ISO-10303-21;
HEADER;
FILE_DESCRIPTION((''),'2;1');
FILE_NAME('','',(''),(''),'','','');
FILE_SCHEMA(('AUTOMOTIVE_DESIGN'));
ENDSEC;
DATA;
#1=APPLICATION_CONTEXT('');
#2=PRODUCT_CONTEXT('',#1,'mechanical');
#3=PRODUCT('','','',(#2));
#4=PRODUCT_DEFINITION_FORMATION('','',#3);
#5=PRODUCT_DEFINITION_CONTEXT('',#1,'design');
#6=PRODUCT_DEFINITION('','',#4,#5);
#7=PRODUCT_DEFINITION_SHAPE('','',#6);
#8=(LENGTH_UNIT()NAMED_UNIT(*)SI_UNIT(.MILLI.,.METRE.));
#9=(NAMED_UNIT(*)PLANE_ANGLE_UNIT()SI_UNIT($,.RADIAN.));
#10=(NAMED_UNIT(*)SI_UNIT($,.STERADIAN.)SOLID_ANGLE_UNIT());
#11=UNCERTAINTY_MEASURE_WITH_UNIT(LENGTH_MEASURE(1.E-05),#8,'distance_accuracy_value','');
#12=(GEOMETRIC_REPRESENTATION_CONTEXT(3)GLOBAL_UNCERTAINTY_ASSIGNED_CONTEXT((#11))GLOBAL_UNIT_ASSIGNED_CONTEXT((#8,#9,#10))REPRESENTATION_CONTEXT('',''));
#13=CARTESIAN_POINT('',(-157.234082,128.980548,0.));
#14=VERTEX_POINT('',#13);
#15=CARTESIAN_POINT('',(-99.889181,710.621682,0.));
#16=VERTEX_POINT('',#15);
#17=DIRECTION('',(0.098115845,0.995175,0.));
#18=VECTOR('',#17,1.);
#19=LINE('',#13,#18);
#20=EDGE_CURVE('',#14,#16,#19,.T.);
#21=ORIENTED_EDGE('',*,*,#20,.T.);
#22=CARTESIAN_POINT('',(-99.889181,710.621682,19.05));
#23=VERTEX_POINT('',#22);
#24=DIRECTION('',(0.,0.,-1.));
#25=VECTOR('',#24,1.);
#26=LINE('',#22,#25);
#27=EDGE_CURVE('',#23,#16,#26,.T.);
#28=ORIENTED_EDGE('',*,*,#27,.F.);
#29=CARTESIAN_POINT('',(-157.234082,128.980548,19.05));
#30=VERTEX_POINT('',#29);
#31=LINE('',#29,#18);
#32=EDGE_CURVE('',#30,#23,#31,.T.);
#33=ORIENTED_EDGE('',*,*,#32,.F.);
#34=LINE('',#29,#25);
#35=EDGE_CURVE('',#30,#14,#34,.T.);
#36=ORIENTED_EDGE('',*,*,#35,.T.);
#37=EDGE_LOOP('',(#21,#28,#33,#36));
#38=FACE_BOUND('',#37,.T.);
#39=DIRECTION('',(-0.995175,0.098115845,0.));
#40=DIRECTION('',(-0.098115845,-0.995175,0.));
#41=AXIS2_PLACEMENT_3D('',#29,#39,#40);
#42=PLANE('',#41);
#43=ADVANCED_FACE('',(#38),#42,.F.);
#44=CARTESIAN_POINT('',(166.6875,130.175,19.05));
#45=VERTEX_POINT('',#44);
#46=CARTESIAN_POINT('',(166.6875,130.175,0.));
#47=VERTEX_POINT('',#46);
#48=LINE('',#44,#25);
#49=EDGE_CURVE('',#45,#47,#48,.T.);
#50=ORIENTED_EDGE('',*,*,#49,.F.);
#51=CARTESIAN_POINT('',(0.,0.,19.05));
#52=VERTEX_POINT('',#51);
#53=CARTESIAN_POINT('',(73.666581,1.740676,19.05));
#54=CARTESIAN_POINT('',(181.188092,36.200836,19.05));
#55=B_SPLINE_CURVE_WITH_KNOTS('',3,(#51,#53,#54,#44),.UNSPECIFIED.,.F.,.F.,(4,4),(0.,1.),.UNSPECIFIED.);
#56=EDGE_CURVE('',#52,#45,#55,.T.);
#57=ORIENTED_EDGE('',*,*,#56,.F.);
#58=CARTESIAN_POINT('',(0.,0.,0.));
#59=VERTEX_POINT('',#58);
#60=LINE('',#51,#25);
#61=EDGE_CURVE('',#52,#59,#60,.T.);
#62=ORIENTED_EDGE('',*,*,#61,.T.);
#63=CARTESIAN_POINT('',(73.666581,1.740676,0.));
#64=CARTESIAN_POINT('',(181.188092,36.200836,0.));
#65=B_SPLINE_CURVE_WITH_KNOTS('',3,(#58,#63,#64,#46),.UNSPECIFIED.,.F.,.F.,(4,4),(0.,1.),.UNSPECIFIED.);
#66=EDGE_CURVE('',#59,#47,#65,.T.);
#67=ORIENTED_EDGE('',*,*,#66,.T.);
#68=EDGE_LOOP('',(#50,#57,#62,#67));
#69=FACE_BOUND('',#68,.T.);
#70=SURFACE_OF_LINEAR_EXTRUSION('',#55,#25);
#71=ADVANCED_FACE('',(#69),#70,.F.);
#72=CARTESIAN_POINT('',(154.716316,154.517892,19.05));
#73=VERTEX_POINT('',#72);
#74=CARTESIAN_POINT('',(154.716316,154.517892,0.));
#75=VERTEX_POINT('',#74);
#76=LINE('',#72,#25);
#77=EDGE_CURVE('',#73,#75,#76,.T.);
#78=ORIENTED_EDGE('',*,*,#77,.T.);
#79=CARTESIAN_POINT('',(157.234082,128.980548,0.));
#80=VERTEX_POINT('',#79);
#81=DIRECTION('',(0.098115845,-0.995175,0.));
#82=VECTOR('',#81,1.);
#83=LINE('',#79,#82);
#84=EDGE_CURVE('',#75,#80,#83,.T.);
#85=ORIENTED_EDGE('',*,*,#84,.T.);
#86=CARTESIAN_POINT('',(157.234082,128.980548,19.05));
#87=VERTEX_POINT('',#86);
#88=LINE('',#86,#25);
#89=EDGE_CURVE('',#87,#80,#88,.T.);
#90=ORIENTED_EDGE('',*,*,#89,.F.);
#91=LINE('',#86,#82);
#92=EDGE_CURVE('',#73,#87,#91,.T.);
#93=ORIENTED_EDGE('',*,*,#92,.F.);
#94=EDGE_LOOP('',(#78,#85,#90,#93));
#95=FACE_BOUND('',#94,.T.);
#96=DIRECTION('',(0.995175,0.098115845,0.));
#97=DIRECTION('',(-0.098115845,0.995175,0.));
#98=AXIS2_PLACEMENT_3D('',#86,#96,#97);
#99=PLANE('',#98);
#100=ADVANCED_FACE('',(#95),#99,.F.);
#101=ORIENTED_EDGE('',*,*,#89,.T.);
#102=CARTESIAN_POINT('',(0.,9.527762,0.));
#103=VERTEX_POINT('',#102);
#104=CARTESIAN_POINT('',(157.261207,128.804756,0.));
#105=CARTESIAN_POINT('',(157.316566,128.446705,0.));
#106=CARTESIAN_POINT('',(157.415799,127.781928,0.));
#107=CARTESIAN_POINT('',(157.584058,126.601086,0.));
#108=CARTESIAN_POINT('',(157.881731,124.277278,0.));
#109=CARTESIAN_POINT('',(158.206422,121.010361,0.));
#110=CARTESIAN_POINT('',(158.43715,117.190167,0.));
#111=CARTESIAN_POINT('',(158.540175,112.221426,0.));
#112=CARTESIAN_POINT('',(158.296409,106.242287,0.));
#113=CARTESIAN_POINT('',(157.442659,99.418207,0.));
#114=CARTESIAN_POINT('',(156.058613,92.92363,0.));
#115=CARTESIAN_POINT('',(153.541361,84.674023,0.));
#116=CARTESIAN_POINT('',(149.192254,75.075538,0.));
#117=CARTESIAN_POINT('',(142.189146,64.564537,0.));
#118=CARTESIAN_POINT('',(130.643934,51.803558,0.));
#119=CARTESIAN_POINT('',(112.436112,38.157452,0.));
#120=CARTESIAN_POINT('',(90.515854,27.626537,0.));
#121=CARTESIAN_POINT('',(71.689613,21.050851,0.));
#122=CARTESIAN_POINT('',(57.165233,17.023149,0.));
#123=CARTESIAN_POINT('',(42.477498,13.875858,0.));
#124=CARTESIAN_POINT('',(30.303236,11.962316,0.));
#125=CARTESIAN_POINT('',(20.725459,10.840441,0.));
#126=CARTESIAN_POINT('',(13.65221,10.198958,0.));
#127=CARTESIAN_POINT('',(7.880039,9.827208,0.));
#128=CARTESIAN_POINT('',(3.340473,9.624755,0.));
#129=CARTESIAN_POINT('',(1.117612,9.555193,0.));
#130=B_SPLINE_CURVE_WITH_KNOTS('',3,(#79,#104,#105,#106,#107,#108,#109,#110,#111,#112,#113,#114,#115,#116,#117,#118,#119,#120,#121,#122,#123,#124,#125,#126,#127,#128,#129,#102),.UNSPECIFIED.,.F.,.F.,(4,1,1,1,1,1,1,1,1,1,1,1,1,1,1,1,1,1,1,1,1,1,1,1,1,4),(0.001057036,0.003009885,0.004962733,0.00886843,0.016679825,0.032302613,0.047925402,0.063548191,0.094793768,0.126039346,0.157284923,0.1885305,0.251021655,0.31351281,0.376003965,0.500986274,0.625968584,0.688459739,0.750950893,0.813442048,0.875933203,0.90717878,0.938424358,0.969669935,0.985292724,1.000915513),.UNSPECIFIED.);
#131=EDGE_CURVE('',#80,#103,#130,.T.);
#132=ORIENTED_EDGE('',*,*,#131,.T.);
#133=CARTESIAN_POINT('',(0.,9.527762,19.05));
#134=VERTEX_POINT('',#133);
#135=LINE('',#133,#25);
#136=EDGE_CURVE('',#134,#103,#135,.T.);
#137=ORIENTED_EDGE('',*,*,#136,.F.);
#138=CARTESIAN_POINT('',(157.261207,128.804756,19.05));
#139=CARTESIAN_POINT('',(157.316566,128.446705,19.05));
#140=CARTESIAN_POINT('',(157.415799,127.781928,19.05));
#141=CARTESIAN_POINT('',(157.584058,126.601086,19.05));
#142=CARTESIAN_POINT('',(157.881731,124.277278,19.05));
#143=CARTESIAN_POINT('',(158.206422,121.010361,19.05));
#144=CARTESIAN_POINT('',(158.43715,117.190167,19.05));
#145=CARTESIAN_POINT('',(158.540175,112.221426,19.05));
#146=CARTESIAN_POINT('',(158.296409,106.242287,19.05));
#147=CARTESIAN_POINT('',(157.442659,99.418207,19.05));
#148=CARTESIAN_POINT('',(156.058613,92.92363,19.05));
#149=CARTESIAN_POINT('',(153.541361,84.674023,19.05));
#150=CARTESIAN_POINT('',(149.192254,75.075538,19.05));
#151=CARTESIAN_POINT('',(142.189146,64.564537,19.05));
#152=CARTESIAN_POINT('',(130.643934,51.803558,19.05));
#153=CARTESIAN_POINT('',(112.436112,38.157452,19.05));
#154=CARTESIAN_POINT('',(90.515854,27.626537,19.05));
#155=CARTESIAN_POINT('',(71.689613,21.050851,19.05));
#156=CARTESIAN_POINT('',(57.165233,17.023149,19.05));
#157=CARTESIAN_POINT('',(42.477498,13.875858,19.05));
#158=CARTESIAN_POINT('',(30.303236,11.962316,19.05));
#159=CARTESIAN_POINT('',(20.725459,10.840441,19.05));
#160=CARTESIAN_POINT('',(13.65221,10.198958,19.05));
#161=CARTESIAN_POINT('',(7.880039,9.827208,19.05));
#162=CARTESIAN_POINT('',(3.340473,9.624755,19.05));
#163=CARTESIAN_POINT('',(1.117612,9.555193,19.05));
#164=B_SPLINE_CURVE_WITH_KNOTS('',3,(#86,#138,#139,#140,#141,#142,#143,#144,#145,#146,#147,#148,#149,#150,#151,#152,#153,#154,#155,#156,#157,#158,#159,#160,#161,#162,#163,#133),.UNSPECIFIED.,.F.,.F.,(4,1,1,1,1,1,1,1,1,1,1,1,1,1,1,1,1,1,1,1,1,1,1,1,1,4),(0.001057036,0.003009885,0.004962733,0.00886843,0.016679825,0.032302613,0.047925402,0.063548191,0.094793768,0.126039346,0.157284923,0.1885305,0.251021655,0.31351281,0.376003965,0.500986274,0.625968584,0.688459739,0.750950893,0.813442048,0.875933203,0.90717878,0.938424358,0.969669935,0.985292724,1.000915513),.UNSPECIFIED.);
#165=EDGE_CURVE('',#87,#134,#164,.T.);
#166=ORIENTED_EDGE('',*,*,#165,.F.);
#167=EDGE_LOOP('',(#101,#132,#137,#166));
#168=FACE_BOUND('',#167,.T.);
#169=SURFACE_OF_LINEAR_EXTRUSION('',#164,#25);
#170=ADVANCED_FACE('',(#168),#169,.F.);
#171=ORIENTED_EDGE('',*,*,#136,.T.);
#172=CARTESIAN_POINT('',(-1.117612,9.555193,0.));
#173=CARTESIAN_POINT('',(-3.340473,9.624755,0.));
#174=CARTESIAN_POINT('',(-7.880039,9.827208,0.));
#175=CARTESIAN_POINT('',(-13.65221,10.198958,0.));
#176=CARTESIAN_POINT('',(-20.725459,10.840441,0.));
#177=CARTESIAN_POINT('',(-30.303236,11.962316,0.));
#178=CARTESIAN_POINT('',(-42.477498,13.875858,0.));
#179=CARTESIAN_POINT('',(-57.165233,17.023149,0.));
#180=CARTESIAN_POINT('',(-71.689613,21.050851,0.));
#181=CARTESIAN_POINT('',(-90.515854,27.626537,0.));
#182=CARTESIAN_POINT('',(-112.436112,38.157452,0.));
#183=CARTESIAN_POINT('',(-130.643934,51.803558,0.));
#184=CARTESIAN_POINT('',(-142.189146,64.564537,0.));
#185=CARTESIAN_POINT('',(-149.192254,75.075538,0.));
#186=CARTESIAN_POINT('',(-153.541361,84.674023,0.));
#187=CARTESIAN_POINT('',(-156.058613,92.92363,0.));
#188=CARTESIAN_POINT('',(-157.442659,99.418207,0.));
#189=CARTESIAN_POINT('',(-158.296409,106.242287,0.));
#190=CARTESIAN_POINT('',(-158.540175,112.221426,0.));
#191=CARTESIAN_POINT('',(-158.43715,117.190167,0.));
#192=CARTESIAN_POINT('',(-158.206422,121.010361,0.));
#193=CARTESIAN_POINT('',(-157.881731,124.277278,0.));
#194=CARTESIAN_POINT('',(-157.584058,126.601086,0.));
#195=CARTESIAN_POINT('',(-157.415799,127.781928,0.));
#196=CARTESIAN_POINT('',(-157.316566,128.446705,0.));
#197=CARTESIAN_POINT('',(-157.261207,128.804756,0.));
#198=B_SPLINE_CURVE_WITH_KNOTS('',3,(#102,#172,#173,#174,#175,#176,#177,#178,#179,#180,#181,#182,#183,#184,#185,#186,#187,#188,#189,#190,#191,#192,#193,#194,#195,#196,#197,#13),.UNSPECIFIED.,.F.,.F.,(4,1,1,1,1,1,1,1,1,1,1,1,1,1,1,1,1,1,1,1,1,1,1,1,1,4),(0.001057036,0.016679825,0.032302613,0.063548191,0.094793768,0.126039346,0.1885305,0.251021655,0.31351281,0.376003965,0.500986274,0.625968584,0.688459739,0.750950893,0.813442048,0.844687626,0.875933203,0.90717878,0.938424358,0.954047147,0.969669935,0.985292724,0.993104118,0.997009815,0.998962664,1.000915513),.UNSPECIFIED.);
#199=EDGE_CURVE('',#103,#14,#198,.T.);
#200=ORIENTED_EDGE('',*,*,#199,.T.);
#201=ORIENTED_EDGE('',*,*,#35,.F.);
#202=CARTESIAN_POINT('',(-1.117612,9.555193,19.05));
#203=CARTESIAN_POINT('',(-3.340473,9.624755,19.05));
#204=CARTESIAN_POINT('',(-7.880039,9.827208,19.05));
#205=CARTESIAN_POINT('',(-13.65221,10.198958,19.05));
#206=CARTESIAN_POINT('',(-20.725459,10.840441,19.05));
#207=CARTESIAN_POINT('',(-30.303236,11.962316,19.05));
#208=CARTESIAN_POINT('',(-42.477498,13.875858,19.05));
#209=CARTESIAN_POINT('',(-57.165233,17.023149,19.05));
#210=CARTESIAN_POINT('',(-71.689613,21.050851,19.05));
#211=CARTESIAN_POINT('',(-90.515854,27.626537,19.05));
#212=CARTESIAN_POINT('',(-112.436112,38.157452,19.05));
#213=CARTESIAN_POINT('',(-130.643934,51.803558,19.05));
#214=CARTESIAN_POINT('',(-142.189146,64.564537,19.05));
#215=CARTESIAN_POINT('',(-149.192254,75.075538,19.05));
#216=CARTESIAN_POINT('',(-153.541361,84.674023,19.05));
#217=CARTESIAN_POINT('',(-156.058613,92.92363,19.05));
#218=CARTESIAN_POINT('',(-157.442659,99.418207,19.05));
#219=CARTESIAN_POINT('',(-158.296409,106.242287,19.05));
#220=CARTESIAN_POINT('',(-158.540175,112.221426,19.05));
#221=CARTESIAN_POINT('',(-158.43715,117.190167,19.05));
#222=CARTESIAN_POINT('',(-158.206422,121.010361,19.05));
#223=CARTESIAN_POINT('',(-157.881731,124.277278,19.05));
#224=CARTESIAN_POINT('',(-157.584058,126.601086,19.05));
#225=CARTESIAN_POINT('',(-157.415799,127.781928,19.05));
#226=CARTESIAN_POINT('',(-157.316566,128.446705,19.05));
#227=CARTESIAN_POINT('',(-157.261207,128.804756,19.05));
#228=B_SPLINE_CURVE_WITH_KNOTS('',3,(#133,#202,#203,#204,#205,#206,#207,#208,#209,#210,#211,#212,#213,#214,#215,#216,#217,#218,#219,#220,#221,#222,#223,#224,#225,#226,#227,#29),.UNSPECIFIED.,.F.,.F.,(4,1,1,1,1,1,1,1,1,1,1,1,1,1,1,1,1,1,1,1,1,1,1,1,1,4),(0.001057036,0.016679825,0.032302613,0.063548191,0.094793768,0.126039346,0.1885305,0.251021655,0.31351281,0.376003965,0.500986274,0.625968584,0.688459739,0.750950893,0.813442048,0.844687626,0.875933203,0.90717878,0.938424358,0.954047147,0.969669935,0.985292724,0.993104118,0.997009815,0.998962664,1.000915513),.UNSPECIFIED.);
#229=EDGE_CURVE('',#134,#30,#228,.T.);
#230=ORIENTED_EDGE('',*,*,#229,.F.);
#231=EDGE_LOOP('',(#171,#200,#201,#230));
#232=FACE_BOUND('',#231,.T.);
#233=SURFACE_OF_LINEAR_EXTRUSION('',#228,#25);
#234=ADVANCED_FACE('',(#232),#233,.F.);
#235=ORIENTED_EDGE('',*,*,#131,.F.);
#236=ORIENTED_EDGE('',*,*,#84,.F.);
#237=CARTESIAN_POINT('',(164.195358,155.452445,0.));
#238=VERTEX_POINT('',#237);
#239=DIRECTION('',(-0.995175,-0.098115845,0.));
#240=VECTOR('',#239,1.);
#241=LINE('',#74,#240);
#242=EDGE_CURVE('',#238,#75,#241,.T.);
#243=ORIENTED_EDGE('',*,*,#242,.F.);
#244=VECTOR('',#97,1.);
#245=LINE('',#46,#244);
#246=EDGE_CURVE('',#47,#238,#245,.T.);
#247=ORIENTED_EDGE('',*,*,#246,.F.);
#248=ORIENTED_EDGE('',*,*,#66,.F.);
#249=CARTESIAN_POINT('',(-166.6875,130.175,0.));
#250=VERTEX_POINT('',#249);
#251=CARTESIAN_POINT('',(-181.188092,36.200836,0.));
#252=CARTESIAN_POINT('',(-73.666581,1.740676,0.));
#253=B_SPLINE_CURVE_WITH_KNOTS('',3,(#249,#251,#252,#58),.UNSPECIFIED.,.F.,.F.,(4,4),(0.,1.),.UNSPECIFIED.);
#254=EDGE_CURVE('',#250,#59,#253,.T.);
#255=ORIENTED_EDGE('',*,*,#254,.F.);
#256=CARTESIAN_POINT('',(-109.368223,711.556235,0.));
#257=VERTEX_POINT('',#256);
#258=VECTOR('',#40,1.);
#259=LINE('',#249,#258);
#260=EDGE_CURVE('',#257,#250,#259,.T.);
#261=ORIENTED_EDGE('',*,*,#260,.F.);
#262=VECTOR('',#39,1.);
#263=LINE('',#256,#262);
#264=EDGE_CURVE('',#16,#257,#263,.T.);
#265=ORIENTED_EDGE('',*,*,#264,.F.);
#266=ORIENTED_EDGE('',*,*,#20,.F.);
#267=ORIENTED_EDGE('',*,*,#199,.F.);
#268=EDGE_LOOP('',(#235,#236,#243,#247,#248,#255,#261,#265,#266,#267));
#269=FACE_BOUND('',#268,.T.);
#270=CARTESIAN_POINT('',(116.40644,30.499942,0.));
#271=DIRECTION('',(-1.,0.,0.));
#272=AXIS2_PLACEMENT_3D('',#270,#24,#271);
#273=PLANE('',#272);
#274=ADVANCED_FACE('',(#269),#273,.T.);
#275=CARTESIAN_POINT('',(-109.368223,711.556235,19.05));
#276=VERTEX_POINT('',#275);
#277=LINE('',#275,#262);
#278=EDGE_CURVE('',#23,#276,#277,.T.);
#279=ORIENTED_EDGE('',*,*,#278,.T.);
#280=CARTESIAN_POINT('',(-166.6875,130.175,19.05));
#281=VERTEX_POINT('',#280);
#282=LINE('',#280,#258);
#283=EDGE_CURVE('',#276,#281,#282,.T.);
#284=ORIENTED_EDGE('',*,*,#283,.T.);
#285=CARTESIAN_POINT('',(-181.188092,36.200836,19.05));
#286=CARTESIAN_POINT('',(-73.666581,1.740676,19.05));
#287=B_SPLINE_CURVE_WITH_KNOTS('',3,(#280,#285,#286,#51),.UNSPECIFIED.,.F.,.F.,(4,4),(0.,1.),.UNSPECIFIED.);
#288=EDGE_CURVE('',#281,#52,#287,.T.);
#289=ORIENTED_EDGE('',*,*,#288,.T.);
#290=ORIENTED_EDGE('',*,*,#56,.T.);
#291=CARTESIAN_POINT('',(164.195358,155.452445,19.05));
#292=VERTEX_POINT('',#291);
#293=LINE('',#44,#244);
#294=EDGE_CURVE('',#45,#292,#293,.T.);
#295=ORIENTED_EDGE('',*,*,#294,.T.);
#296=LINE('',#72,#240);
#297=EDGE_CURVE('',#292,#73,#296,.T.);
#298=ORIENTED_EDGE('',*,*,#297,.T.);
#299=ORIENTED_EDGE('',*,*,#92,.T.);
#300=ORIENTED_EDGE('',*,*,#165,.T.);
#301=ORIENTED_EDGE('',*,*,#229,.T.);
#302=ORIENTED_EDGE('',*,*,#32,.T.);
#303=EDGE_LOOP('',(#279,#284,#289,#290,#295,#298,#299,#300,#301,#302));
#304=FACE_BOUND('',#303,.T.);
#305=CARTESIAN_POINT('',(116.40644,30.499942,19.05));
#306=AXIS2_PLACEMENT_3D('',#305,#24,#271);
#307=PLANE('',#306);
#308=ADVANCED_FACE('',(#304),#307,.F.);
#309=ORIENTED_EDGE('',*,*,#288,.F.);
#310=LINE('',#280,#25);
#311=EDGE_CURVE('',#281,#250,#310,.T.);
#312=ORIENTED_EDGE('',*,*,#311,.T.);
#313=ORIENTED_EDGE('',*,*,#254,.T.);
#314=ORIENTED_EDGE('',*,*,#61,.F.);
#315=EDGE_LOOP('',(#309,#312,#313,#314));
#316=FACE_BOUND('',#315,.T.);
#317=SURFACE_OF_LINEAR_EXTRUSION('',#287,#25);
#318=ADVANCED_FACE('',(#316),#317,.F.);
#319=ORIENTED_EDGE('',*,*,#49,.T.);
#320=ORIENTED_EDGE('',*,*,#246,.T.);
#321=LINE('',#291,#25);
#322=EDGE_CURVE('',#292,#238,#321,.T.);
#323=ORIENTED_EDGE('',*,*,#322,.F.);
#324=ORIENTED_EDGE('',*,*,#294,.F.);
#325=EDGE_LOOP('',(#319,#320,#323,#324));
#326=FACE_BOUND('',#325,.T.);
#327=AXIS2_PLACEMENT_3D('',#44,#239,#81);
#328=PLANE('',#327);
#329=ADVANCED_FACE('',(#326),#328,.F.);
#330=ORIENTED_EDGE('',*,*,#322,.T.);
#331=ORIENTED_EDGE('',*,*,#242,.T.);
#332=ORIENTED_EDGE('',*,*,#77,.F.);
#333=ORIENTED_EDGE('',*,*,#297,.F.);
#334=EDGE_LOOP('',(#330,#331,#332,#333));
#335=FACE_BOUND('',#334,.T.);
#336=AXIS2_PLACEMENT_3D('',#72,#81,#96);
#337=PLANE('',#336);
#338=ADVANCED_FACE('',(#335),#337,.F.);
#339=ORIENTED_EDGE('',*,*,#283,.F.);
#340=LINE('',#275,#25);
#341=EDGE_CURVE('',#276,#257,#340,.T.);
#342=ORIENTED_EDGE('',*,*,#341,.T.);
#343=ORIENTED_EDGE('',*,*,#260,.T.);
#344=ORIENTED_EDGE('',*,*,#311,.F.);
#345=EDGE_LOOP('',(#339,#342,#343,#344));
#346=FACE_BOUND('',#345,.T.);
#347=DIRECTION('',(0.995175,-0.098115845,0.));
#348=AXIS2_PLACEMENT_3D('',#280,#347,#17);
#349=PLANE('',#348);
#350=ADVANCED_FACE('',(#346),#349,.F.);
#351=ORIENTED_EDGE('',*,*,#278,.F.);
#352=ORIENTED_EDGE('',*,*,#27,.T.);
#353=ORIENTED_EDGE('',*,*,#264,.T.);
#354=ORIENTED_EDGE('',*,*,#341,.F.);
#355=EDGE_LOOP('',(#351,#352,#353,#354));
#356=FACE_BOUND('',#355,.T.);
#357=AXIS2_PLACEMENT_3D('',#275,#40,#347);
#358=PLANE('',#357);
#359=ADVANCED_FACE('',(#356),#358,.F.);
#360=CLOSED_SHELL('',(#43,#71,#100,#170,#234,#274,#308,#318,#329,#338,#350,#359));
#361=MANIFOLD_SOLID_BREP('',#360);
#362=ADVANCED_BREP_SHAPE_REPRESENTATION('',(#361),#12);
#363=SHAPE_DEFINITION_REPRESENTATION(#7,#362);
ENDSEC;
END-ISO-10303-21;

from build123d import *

# Parameters (mm, degrees)
BOSS_EXTRUDE1_DEPTH = 19.05


with BuildPart() as part:
    # Sketch1 → Boss-Extrude1 (new body)
    with BuildSketch(Plane.XY):
        with BuildLine():
            Line((157.234081882, 128.980548454), (154.716315658, 154.51789158))
            Line((154.716315658, 154.51789158), (164.195357535, 155.452445004))
            Line((164.195357535, 155.452445004), (166.6875, 130.175))
            add(Edge.make_bspline(
                [(0, 0), (73.666580622, 1.740675992), (181.188092361, 36.200835609), (166.6875, 130.175)],
                knots=[0, 0, 0, 0, 1, 1, 1, 1], degree=3))
            add(Edge.make_bspline(
                [(0, 0), (-73.666580622, 1.740675992), (-181.188092361, 36.200835609), (-166.6875, 130.175)],
                knots=[0, 0, 0, 0, 1, 1, 1, 1], degree=3))
            Line((-166.6875, 130.175), (-109.368223301, 711.556235093))
            Line((-109.368223301, 711.556235093), (-99.889181424, 710.621681669))
            Line((-99.889181424, 710.621681669), (-157.234081882, 128.980548454))
            add(Edge.make_bspline(
                [(0, 9.52776174), (-1.117611602, 9.555193192), (-3.340472897, 9.624755056), (-7.880039481, 9.827207732), (-13.652210416, 10.198958437), (-20.725459036, 10.840441372), (-30.303235723, 11.962316267), (-42.47749757, 13.875858033), (-57.165232888, 17.02314898), (-71.689613059, 21.050850851), (-90.515854195, 27.626537064), (-112.436111514, 38.157452487), (-130.643933928, 51.803557723), (-142.189146149, 64.564536934), (-149.192253507, 75.075537554), (-153.541361304, 84.674022673), (-156.058613173, 92.923629982), (-157.442658539, 99.418206789), (-158.29640922, 106.242287005), (-158.540175044, 112.221426054), (-158.437150466, 117.190167219), (-158.20642164, 121.010360535), (-157.881730698, 124.277278241), (-157.584058118, 126.601085874), (-157.415798733, 127.781927866), (-157.316566229, 128.446705395), (-157.261207353, 128.804756083), (-157.234081882, 128.980548454)],
                knots=[0.001057036, 0.001057036, 0.001057036, 0.001057036, 0.016679825, 0.032302613, 0.063548191, 0.094793768, 0.126039346, 0.1885305, 0.251021655, 0.31351281, 0.376003965, 0.500986274, 0.625968584, 0.688459739, 0.750950893, 0.813442048, 0.844687626, 0.875933203, 0.90717878, 0.938424358, 0.954047147, 0.969669935, 0.985292724, 0.993104118, 0.997009815, 0.998962664, 1.000915513, 1.000915513, 1.000915513, 1.000915513], degree=3))
            add(Edge.make_bspline(
                [(157.234081882, 128.980548454), (157.261207353, 128.804756083), (157.316566229, 128.446705395), (157.415798733, 127.781927866), (157.584058118, 126.601085874), (157.881730698, 124.277278241), (158.20642164, 121.010360535), (158.437150466, 117.190167219), (158.540175044, 112.221426054), (158.29640922, 106.242287005), (157.442658539, 99.418206789), (156.058613173, 92.923629982), (153.541361304, 84.674022673), (149.192253507, 75.075537554), (142.189146149, 64.564536934), (130.643933928, 51.803557723), (112.436111514, 38.157452487), (90.515854195, 27.626537064), (71.689613059, 21.050850851), (57.165232888, 17.02314898), (42.47749757, 13.875858033), (30.303235723, 11.962316267), (20.725459036, 10.840441372), (13.652210416, 10.198958437), (7.880039481, 9.827207732), (3.340472897, 9.624755056), (1.117611602, 9.555193192), (0, 9.52776174)],
                knots=[0.001057036, 0.001057036, 0.001057036, 0.001057036, 0.003009885, 0.004962733, 0.00886843, 0.016679825, 0.032302613, 0.047925402, 0.063548191, 0.094793768, 0.126039346, 0.157284923, 0.1885305, 0.251021655, 0.31351281, 0.376003965, 0.500986274, 0.625968584, 0.688459739, 0.750950893, 0.813442048, 0.875933203, 0.90717878, 0.938424358, 0.969669935, 0.985292724, 1.000915513, 1.000915513, 1.000915513, 1.000915513], degree=3))
        make_face()
    extrude(amount=BOSS_EXTRUDE1_DEPTH)


solid = part.part
